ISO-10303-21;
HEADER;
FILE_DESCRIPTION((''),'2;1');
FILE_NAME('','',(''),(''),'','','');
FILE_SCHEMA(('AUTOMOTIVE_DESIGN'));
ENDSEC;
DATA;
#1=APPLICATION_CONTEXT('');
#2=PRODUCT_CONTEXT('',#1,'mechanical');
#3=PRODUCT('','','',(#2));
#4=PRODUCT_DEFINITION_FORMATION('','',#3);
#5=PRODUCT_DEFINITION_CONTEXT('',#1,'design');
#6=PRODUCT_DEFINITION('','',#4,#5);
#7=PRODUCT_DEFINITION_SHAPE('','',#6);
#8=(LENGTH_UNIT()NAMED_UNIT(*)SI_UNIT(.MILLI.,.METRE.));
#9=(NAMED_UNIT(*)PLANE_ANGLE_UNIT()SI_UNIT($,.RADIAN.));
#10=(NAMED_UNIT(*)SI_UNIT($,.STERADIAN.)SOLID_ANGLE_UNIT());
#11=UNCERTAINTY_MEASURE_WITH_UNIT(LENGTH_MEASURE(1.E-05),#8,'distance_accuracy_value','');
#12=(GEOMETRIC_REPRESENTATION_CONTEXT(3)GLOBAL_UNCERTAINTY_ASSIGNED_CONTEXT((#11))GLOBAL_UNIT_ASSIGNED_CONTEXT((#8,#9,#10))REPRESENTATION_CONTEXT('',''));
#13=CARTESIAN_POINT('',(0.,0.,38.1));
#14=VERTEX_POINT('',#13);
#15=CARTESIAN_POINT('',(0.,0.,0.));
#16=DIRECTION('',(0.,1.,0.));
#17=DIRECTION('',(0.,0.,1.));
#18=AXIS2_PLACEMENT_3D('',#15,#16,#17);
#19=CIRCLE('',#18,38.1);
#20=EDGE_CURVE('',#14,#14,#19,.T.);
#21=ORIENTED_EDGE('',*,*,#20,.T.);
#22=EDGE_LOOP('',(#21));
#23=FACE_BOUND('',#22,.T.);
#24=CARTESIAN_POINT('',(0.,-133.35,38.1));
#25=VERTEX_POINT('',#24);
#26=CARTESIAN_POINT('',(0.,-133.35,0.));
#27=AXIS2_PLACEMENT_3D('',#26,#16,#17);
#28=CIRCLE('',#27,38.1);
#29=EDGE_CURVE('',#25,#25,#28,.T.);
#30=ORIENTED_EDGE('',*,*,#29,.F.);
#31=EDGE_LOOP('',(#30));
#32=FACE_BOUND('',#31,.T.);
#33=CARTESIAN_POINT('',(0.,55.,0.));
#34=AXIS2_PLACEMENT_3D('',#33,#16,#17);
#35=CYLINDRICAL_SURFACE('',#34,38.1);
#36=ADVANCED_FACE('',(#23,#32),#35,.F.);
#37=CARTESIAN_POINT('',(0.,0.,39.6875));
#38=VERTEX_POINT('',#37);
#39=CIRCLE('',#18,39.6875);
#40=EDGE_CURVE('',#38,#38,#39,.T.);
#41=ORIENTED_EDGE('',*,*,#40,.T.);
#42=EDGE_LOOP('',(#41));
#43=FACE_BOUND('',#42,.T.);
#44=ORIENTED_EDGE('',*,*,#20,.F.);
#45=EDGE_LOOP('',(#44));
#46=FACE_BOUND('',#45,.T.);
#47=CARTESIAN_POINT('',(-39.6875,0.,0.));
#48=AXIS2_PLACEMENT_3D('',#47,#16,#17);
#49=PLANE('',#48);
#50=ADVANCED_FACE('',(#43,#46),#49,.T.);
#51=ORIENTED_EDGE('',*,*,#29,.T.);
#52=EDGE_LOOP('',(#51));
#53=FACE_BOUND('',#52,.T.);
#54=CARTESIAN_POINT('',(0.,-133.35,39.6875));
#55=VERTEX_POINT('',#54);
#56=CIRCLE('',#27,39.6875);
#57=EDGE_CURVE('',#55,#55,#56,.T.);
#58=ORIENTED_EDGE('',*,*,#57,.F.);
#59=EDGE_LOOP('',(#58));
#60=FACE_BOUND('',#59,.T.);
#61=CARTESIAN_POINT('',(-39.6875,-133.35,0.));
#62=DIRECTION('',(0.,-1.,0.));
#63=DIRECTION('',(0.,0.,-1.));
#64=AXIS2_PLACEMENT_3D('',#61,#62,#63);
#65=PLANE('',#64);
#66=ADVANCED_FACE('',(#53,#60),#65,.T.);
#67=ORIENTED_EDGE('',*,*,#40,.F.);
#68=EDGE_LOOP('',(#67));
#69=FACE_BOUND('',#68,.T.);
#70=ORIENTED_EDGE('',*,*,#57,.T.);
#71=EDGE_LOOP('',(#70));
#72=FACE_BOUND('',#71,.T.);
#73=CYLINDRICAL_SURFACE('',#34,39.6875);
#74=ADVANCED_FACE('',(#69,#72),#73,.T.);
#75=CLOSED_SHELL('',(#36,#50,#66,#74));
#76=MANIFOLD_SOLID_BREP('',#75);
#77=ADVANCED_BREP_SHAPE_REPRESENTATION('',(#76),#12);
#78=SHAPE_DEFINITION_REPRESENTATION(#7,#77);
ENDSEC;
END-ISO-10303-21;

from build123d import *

# Parameters (mm, degrees)
SKETCH2_W = 1.5875
SKETCH2_H = 133.35


with BuildPart() as part:
    # Sketch2 → Revolve1 (revolve)
    with BuildSketch(Plane.XY):
        with Locations((-38.89375, -66.675)):
            Rectangle(SKETCH2_W, SKETCH2_H)
    revolve(axis=Axis((0, 55, 0), (0, -1, 0)))


solid = part.part
